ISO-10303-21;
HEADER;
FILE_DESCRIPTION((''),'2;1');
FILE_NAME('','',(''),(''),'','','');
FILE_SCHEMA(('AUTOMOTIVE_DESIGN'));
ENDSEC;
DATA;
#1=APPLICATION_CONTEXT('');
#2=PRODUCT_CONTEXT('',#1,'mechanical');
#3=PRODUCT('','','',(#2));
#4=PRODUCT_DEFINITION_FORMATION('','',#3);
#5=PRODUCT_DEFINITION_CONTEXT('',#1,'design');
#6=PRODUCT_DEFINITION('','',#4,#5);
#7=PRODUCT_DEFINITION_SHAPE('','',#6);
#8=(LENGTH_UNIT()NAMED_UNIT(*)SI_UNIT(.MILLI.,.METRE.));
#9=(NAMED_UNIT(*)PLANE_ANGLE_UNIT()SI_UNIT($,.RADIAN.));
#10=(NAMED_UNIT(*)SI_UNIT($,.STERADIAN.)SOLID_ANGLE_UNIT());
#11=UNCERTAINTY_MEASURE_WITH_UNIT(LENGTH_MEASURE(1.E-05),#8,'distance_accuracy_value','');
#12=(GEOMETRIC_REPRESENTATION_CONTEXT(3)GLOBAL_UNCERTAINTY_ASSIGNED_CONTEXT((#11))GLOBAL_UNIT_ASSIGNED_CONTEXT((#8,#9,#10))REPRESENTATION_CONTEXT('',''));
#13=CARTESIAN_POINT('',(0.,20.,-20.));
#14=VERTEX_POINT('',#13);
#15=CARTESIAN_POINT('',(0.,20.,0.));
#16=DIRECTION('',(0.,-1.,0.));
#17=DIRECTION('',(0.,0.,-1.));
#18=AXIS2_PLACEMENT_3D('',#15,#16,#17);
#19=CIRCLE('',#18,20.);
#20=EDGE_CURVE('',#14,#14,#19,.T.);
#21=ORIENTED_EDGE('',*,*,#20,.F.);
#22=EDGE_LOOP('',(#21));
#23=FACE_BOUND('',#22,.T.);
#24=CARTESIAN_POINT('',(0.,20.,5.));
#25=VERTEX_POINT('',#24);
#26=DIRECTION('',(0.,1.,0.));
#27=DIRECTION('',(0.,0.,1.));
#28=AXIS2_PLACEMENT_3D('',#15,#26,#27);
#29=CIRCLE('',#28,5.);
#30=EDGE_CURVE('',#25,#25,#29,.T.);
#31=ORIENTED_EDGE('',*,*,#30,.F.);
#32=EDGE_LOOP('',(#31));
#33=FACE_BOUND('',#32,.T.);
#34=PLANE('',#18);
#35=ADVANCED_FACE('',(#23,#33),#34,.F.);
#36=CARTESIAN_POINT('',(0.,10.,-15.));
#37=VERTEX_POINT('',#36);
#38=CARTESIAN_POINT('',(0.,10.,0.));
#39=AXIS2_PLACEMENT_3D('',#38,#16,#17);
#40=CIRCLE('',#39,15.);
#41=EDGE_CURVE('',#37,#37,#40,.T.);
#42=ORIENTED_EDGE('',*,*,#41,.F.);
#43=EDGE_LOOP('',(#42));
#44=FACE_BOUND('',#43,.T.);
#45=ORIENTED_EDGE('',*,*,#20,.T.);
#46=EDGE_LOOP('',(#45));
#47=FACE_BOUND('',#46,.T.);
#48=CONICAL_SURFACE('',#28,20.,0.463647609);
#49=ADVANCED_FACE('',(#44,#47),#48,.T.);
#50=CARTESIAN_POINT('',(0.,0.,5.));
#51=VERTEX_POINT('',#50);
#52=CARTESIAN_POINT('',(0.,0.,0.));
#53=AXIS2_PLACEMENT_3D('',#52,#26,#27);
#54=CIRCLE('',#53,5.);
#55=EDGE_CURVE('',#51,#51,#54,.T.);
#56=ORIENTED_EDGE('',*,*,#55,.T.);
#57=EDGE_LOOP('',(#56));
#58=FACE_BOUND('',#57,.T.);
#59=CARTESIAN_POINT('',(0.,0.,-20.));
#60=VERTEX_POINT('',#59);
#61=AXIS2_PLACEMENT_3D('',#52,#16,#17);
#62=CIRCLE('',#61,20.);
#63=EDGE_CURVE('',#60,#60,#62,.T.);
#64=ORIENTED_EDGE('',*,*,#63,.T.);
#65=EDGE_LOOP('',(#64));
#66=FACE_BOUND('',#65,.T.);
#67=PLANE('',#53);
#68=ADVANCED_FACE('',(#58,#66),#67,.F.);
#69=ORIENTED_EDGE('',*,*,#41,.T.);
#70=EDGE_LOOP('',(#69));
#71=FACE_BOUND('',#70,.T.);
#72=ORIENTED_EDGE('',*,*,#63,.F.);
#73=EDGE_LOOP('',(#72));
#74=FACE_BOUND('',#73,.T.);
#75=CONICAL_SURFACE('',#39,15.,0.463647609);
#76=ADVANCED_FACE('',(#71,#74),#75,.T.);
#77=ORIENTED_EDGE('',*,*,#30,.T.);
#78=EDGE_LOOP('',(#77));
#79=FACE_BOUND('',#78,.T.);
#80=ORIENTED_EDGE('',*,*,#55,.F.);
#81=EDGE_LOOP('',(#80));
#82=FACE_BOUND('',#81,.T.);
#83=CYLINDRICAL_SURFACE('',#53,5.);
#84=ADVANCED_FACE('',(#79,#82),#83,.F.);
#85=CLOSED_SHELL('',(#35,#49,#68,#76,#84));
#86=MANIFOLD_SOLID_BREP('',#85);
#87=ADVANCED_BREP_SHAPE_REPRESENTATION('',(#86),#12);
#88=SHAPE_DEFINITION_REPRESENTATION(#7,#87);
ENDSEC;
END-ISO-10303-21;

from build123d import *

# Parameters (mm, degrees)
SKETCH2_R          = 5
CUT_EXTRUDE1_DEPTH = 35.641016151


with BuildPart() as part:
    # Sketch1 → Revolve1 (revolve)
    with BuildSketch(Plane.XY, mode=Mode.PRIVATE) as revolve1_sk:
        Polygon((-20, 20), (-15, 10), (-20, 0), (0, 0), (0, 20), align=None)
    revolve(revolve1_sk.sketch.rotate(Axis((0, 0, 0), (0, 1, 0)), 270), axis=Axis((0, 0, 0), (0, 1, 0)))

    # Sketch2 → Cut-Extrude1 (cut, through all)
    with BuildSketch(Plane(origin=(0, 20, 0), x_dir=(1, 0, 0), z_dir=(0, 1, 0))):
        with Locations(Location((0, 0, 0), (0, 0, 270))):
            Circle(SKETCH2_R)
    extrude(amount=-CUT_EXTRUDE1_DEPTH, mode=Mode.SUBTRACT)


solid = part.part
